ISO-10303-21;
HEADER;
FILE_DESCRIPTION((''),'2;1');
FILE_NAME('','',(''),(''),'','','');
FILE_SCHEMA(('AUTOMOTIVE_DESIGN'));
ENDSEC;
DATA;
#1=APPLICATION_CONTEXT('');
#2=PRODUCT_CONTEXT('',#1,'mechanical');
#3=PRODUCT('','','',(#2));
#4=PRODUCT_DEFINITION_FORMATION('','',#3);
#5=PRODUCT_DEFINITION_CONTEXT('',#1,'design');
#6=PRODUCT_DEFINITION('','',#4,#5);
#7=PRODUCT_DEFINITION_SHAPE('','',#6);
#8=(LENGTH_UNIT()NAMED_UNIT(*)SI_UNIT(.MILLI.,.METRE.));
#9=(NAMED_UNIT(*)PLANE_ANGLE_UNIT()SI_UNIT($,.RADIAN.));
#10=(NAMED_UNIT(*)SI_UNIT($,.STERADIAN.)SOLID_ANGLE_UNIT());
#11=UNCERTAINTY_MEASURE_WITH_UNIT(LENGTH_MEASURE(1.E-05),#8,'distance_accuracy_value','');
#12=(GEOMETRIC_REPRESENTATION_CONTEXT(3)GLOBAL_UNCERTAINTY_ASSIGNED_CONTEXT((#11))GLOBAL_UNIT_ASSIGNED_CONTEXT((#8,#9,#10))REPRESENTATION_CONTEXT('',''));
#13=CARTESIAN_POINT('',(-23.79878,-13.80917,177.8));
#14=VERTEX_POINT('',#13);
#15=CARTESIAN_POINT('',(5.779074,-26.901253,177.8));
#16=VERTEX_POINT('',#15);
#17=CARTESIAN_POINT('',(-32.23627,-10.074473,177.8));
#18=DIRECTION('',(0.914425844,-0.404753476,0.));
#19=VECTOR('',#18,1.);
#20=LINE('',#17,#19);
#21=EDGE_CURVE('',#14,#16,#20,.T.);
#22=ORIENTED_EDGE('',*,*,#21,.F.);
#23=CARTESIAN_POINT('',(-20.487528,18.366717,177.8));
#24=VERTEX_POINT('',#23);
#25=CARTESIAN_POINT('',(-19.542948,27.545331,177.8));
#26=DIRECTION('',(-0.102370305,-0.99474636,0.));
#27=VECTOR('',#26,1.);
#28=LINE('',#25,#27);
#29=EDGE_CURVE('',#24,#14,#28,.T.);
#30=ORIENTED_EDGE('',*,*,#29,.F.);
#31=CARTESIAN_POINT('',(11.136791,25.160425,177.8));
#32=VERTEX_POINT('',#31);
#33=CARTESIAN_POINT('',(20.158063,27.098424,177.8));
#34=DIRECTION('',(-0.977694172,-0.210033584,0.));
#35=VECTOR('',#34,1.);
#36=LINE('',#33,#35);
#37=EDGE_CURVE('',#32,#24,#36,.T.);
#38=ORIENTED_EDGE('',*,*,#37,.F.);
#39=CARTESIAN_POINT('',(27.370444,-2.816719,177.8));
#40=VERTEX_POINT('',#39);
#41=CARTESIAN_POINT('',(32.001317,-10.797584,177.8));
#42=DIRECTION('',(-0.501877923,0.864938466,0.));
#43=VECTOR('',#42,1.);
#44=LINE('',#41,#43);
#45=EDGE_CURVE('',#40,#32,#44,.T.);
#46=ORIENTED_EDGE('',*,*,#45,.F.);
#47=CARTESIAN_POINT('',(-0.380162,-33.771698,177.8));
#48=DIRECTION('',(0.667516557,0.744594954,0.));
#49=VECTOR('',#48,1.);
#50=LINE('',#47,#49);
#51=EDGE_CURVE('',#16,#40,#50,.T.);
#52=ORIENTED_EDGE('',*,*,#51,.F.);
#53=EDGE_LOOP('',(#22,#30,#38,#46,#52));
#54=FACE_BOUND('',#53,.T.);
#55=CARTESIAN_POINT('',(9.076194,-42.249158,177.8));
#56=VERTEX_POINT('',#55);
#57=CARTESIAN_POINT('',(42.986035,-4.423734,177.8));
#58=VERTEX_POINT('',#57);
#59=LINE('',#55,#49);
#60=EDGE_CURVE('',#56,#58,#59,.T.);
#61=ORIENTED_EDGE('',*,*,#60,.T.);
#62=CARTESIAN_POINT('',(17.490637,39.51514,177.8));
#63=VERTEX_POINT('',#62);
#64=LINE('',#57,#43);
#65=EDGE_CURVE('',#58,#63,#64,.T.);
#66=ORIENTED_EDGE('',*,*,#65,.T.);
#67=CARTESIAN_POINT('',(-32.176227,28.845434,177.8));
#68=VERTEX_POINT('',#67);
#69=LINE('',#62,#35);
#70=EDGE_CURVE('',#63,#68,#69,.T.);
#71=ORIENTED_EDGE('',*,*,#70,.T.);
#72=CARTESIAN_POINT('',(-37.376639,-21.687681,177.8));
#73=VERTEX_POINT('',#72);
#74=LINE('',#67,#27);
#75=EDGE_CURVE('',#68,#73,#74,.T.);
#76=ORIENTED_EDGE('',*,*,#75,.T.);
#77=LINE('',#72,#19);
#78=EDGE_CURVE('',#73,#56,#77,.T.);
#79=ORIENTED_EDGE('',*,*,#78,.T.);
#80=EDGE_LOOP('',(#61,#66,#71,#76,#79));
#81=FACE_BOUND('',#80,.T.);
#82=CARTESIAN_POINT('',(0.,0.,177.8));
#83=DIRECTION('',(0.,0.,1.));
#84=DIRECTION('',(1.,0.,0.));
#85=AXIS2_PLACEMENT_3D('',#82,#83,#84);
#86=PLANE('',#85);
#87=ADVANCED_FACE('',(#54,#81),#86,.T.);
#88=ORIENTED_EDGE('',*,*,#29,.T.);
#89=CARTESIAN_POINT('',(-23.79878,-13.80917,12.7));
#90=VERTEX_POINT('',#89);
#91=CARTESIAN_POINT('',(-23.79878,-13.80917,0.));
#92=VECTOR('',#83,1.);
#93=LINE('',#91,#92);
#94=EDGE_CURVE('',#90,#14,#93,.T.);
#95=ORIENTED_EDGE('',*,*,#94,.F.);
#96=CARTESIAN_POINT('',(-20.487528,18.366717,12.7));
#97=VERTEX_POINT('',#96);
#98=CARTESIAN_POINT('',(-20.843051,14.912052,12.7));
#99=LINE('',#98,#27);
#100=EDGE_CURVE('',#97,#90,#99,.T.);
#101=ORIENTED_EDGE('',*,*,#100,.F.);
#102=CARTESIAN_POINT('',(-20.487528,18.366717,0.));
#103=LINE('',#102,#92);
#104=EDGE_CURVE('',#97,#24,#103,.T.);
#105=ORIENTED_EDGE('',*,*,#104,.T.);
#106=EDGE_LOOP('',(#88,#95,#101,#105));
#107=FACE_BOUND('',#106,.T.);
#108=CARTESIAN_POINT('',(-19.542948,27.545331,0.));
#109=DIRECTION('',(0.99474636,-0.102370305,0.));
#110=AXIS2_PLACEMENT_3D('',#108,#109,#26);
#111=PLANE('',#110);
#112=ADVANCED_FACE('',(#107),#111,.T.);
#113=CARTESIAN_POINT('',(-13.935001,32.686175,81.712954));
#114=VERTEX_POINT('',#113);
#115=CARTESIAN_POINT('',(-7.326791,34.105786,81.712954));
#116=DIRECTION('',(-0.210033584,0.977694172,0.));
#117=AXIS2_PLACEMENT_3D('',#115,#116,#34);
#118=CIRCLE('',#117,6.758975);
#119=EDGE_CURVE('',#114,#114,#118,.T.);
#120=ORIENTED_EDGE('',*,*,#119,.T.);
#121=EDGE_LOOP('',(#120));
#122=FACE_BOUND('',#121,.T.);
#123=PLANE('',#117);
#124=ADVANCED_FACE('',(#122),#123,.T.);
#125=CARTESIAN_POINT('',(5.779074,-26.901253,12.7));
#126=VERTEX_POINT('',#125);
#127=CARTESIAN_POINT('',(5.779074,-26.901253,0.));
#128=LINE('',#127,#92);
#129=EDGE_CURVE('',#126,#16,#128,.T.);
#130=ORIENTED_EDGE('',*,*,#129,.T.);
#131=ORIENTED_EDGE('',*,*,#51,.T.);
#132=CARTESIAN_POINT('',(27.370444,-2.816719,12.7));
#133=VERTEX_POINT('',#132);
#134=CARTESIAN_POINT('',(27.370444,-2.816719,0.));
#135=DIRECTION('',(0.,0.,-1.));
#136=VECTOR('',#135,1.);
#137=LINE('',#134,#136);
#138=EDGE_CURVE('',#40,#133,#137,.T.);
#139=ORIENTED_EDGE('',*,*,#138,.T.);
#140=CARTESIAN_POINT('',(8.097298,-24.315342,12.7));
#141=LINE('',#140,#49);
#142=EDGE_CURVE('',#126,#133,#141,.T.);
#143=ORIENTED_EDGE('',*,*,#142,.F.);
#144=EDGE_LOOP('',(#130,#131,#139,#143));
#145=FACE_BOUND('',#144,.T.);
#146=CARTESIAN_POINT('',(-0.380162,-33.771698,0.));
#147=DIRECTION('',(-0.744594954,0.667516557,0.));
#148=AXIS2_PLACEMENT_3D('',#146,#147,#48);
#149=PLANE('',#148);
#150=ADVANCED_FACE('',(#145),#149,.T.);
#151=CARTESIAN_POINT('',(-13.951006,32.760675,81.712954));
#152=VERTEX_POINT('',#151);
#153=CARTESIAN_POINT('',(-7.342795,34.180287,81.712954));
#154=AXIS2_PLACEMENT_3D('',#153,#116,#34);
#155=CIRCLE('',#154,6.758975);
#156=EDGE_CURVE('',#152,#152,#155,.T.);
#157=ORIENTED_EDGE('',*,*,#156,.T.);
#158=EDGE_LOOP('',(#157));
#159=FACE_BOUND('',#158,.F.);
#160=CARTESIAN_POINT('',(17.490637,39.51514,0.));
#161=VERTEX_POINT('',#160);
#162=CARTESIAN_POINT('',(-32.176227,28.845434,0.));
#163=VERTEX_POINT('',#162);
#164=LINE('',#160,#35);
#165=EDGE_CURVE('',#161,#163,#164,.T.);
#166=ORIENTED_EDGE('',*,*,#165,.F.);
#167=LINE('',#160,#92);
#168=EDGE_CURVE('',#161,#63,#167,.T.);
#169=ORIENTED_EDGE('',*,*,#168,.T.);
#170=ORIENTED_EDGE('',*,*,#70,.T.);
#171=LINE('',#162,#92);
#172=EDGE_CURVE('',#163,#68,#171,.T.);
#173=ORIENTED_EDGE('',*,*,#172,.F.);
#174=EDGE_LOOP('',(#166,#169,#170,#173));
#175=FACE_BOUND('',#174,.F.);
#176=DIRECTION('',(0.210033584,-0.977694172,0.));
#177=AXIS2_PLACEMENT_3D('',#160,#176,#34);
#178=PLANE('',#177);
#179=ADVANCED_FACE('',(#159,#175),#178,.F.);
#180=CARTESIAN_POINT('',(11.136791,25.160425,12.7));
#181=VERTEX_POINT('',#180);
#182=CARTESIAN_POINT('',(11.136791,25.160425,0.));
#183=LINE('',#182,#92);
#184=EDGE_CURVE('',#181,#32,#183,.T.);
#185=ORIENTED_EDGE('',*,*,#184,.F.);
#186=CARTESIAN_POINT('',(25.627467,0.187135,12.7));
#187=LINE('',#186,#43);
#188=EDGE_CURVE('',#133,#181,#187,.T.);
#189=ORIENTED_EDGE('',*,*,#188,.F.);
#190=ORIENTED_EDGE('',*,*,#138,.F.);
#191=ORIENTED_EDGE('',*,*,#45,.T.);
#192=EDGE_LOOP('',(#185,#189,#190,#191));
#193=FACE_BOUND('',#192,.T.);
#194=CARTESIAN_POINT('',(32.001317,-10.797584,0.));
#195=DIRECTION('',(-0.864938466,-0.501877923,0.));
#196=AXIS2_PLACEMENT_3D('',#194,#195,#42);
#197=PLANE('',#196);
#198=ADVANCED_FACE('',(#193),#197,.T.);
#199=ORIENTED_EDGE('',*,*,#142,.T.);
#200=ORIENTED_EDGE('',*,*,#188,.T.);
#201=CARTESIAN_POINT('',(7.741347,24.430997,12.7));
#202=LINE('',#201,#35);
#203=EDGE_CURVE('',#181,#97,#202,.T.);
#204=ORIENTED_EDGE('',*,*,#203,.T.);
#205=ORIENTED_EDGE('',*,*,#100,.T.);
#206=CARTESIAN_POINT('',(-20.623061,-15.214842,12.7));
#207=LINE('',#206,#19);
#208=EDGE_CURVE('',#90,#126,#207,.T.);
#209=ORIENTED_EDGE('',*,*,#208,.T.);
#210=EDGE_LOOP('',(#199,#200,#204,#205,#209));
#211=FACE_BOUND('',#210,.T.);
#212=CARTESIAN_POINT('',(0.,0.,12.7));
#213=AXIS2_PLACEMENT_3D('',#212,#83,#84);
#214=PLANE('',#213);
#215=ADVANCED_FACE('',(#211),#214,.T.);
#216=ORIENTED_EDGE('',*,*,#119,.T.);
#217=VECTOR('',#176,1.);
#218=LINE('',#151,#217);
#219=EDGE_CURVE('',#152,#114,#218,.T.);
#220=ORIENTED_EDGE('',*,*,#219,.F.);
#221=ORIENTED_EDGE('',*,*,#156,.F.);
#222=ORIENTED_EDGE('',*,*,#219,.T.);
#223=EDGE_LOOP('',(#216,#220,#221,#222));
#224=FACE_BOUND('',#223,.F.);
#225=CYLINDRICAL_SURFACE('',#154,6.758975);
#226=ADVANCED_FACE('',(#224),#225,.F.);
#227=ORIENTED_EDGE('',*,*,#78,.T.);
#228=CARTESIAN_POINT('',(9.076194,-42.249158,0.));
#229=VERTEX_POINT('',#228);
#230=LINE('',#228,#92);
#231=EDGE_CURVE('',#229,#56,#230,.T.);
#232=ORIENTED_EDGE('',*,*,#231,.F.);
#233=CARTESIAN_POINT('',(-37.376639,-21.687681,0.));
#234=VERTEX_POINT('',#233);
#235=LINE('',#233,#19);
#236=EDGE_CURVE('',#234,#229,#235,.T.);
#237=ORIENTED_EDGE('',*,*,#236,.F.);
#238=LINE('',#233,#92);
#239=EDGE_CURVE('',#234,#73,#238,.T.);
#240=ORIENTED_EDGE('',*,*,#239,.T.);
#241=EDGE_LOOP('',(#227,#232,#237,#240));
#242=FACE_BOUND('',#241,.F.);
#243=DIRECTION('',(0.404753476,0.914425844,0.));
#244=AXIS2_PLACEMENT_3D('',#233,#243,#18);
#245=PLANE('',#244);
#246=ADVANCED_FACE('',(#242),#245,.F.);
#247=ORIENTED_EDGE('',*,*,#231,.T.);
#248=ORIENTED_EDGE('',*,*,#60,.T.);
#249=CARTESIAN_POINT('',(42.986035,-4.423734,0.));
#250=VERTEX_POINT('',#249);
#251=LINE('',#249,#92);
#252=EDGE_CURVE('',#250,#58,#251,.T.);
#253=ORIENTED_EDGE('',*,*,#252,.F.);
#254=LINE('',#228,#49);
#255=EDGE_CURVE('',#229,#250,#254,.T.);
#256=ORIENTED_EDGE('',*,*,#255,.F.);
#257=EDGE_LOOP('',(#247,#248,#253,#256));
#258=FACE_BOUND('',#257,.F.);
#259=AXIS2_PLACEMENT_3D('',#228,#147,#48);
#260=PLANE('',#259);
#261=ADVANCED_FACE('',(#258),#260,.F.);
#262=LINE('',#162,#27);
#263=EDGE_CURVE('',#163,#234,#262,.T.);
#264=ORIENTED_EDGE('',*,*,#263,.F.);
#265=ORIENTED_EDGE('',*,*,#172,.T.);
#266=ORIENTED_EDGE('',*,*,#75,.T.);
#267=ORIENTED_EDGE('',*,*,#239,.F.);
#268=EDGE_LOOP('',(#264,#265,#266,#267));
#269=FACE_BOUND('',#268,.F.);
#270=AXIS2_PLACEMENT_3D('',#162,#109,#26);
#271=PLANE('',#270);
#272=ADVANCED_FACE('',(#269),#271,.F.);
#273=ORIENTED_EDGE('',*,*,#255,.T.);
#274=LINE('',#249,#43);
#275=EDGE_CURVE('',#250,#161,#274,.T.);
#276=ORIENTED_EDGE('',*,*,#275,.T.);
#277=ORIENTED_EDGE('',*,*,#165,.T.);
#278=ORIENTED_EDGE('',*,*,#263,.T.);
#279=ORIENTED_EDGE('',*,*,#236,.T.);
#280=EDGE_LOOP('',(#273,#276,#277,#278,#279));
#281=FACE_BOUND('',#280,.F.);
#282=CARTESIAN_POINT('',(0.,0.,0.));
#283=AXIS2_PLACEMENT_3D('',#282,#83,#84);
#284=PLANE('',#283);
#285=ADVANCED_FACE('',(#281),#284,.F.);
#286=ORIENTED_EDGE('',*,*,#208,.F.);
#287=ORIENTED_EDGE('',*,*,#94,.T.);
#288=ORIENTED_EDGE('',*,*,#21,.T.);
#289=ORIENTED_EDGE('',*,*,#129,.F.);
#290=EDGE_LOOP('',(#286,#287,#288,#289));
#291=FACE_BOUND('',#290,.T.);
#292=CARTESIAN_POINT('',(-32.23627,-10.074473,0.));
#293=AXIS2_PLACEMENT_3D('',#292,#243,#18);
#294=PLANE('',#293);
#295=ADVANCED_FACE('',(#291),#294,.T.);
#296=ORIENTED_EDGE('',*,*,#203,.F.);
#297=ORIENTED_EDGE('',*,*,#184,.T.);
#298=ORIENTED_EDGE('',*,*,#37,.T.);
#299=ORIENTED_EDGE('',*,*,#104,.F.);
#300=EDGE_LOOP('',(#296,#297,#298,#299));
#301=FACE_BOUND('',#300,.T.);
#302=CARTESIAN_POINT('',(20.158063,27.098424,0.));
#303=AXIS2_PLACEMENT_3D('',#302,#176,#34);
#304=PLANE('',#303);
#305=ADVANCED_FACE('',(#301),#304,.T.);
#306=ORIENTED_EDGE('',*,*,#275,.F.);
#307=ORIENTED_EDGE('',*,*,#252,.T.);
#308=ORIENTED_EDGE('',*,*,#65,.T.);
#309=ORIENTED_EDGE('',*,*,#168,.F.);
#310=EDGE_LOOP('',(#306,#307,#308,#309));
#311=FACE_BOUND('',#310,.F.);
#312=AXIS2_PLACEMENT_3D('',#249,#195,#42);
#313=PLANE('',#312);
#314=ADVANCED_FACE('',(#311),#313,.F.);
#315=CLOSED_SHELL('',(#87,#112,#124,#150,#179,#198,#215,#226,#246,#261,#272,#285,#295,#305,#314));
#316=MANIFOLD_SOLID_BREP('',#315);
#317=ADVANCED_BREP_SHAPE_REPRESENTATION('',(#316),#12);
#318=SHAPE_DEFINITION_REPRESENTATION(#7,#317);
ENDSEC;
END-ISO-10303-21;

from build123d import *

# Parameters (mm, degrees)
F1_DEPTH = 177.8
F2_T     = -12.7
F3_R     = 6.7589749521
F4_DEPTH = 0.0762


with BuildPart() as f1:
    # F0 (on Top) → F1 (new body)
    with BuildSketch(Plane.XY):
        Polygon((42.9860351945, -4.42373426), (17.4906366902, 39.5151398165), (-32.1762272351, 28.8454337368), (-37.3766387512, -21.687681347), (9.0761941016, -42.2491579463), align=None)
    extrude(amount=F1_DEPTH)

    # F2
    f2_openings = [f1.faces().sort_by_distance(p)[0] for p in [
        (0, 0, 177.8),
    ]]
    offset(amount=F2_T, openings=f2_openings)

    # F3 (on face) → F4 (cut)
    with BuildSketch(Plane(origin=(-7.3427952725, 34.1802867766, 0), x_dir=(-0.9776941718, -0.2100335842, 0), z_dir=(-0.2100335842, 0.9776941718, 0))):
        with Locations((0, 81.7129537463)):
            Circle(F3_R)
    extrude(amount=-F4_DEPTH, mode=Mode.SUBTRACT)


solid = f1.part
